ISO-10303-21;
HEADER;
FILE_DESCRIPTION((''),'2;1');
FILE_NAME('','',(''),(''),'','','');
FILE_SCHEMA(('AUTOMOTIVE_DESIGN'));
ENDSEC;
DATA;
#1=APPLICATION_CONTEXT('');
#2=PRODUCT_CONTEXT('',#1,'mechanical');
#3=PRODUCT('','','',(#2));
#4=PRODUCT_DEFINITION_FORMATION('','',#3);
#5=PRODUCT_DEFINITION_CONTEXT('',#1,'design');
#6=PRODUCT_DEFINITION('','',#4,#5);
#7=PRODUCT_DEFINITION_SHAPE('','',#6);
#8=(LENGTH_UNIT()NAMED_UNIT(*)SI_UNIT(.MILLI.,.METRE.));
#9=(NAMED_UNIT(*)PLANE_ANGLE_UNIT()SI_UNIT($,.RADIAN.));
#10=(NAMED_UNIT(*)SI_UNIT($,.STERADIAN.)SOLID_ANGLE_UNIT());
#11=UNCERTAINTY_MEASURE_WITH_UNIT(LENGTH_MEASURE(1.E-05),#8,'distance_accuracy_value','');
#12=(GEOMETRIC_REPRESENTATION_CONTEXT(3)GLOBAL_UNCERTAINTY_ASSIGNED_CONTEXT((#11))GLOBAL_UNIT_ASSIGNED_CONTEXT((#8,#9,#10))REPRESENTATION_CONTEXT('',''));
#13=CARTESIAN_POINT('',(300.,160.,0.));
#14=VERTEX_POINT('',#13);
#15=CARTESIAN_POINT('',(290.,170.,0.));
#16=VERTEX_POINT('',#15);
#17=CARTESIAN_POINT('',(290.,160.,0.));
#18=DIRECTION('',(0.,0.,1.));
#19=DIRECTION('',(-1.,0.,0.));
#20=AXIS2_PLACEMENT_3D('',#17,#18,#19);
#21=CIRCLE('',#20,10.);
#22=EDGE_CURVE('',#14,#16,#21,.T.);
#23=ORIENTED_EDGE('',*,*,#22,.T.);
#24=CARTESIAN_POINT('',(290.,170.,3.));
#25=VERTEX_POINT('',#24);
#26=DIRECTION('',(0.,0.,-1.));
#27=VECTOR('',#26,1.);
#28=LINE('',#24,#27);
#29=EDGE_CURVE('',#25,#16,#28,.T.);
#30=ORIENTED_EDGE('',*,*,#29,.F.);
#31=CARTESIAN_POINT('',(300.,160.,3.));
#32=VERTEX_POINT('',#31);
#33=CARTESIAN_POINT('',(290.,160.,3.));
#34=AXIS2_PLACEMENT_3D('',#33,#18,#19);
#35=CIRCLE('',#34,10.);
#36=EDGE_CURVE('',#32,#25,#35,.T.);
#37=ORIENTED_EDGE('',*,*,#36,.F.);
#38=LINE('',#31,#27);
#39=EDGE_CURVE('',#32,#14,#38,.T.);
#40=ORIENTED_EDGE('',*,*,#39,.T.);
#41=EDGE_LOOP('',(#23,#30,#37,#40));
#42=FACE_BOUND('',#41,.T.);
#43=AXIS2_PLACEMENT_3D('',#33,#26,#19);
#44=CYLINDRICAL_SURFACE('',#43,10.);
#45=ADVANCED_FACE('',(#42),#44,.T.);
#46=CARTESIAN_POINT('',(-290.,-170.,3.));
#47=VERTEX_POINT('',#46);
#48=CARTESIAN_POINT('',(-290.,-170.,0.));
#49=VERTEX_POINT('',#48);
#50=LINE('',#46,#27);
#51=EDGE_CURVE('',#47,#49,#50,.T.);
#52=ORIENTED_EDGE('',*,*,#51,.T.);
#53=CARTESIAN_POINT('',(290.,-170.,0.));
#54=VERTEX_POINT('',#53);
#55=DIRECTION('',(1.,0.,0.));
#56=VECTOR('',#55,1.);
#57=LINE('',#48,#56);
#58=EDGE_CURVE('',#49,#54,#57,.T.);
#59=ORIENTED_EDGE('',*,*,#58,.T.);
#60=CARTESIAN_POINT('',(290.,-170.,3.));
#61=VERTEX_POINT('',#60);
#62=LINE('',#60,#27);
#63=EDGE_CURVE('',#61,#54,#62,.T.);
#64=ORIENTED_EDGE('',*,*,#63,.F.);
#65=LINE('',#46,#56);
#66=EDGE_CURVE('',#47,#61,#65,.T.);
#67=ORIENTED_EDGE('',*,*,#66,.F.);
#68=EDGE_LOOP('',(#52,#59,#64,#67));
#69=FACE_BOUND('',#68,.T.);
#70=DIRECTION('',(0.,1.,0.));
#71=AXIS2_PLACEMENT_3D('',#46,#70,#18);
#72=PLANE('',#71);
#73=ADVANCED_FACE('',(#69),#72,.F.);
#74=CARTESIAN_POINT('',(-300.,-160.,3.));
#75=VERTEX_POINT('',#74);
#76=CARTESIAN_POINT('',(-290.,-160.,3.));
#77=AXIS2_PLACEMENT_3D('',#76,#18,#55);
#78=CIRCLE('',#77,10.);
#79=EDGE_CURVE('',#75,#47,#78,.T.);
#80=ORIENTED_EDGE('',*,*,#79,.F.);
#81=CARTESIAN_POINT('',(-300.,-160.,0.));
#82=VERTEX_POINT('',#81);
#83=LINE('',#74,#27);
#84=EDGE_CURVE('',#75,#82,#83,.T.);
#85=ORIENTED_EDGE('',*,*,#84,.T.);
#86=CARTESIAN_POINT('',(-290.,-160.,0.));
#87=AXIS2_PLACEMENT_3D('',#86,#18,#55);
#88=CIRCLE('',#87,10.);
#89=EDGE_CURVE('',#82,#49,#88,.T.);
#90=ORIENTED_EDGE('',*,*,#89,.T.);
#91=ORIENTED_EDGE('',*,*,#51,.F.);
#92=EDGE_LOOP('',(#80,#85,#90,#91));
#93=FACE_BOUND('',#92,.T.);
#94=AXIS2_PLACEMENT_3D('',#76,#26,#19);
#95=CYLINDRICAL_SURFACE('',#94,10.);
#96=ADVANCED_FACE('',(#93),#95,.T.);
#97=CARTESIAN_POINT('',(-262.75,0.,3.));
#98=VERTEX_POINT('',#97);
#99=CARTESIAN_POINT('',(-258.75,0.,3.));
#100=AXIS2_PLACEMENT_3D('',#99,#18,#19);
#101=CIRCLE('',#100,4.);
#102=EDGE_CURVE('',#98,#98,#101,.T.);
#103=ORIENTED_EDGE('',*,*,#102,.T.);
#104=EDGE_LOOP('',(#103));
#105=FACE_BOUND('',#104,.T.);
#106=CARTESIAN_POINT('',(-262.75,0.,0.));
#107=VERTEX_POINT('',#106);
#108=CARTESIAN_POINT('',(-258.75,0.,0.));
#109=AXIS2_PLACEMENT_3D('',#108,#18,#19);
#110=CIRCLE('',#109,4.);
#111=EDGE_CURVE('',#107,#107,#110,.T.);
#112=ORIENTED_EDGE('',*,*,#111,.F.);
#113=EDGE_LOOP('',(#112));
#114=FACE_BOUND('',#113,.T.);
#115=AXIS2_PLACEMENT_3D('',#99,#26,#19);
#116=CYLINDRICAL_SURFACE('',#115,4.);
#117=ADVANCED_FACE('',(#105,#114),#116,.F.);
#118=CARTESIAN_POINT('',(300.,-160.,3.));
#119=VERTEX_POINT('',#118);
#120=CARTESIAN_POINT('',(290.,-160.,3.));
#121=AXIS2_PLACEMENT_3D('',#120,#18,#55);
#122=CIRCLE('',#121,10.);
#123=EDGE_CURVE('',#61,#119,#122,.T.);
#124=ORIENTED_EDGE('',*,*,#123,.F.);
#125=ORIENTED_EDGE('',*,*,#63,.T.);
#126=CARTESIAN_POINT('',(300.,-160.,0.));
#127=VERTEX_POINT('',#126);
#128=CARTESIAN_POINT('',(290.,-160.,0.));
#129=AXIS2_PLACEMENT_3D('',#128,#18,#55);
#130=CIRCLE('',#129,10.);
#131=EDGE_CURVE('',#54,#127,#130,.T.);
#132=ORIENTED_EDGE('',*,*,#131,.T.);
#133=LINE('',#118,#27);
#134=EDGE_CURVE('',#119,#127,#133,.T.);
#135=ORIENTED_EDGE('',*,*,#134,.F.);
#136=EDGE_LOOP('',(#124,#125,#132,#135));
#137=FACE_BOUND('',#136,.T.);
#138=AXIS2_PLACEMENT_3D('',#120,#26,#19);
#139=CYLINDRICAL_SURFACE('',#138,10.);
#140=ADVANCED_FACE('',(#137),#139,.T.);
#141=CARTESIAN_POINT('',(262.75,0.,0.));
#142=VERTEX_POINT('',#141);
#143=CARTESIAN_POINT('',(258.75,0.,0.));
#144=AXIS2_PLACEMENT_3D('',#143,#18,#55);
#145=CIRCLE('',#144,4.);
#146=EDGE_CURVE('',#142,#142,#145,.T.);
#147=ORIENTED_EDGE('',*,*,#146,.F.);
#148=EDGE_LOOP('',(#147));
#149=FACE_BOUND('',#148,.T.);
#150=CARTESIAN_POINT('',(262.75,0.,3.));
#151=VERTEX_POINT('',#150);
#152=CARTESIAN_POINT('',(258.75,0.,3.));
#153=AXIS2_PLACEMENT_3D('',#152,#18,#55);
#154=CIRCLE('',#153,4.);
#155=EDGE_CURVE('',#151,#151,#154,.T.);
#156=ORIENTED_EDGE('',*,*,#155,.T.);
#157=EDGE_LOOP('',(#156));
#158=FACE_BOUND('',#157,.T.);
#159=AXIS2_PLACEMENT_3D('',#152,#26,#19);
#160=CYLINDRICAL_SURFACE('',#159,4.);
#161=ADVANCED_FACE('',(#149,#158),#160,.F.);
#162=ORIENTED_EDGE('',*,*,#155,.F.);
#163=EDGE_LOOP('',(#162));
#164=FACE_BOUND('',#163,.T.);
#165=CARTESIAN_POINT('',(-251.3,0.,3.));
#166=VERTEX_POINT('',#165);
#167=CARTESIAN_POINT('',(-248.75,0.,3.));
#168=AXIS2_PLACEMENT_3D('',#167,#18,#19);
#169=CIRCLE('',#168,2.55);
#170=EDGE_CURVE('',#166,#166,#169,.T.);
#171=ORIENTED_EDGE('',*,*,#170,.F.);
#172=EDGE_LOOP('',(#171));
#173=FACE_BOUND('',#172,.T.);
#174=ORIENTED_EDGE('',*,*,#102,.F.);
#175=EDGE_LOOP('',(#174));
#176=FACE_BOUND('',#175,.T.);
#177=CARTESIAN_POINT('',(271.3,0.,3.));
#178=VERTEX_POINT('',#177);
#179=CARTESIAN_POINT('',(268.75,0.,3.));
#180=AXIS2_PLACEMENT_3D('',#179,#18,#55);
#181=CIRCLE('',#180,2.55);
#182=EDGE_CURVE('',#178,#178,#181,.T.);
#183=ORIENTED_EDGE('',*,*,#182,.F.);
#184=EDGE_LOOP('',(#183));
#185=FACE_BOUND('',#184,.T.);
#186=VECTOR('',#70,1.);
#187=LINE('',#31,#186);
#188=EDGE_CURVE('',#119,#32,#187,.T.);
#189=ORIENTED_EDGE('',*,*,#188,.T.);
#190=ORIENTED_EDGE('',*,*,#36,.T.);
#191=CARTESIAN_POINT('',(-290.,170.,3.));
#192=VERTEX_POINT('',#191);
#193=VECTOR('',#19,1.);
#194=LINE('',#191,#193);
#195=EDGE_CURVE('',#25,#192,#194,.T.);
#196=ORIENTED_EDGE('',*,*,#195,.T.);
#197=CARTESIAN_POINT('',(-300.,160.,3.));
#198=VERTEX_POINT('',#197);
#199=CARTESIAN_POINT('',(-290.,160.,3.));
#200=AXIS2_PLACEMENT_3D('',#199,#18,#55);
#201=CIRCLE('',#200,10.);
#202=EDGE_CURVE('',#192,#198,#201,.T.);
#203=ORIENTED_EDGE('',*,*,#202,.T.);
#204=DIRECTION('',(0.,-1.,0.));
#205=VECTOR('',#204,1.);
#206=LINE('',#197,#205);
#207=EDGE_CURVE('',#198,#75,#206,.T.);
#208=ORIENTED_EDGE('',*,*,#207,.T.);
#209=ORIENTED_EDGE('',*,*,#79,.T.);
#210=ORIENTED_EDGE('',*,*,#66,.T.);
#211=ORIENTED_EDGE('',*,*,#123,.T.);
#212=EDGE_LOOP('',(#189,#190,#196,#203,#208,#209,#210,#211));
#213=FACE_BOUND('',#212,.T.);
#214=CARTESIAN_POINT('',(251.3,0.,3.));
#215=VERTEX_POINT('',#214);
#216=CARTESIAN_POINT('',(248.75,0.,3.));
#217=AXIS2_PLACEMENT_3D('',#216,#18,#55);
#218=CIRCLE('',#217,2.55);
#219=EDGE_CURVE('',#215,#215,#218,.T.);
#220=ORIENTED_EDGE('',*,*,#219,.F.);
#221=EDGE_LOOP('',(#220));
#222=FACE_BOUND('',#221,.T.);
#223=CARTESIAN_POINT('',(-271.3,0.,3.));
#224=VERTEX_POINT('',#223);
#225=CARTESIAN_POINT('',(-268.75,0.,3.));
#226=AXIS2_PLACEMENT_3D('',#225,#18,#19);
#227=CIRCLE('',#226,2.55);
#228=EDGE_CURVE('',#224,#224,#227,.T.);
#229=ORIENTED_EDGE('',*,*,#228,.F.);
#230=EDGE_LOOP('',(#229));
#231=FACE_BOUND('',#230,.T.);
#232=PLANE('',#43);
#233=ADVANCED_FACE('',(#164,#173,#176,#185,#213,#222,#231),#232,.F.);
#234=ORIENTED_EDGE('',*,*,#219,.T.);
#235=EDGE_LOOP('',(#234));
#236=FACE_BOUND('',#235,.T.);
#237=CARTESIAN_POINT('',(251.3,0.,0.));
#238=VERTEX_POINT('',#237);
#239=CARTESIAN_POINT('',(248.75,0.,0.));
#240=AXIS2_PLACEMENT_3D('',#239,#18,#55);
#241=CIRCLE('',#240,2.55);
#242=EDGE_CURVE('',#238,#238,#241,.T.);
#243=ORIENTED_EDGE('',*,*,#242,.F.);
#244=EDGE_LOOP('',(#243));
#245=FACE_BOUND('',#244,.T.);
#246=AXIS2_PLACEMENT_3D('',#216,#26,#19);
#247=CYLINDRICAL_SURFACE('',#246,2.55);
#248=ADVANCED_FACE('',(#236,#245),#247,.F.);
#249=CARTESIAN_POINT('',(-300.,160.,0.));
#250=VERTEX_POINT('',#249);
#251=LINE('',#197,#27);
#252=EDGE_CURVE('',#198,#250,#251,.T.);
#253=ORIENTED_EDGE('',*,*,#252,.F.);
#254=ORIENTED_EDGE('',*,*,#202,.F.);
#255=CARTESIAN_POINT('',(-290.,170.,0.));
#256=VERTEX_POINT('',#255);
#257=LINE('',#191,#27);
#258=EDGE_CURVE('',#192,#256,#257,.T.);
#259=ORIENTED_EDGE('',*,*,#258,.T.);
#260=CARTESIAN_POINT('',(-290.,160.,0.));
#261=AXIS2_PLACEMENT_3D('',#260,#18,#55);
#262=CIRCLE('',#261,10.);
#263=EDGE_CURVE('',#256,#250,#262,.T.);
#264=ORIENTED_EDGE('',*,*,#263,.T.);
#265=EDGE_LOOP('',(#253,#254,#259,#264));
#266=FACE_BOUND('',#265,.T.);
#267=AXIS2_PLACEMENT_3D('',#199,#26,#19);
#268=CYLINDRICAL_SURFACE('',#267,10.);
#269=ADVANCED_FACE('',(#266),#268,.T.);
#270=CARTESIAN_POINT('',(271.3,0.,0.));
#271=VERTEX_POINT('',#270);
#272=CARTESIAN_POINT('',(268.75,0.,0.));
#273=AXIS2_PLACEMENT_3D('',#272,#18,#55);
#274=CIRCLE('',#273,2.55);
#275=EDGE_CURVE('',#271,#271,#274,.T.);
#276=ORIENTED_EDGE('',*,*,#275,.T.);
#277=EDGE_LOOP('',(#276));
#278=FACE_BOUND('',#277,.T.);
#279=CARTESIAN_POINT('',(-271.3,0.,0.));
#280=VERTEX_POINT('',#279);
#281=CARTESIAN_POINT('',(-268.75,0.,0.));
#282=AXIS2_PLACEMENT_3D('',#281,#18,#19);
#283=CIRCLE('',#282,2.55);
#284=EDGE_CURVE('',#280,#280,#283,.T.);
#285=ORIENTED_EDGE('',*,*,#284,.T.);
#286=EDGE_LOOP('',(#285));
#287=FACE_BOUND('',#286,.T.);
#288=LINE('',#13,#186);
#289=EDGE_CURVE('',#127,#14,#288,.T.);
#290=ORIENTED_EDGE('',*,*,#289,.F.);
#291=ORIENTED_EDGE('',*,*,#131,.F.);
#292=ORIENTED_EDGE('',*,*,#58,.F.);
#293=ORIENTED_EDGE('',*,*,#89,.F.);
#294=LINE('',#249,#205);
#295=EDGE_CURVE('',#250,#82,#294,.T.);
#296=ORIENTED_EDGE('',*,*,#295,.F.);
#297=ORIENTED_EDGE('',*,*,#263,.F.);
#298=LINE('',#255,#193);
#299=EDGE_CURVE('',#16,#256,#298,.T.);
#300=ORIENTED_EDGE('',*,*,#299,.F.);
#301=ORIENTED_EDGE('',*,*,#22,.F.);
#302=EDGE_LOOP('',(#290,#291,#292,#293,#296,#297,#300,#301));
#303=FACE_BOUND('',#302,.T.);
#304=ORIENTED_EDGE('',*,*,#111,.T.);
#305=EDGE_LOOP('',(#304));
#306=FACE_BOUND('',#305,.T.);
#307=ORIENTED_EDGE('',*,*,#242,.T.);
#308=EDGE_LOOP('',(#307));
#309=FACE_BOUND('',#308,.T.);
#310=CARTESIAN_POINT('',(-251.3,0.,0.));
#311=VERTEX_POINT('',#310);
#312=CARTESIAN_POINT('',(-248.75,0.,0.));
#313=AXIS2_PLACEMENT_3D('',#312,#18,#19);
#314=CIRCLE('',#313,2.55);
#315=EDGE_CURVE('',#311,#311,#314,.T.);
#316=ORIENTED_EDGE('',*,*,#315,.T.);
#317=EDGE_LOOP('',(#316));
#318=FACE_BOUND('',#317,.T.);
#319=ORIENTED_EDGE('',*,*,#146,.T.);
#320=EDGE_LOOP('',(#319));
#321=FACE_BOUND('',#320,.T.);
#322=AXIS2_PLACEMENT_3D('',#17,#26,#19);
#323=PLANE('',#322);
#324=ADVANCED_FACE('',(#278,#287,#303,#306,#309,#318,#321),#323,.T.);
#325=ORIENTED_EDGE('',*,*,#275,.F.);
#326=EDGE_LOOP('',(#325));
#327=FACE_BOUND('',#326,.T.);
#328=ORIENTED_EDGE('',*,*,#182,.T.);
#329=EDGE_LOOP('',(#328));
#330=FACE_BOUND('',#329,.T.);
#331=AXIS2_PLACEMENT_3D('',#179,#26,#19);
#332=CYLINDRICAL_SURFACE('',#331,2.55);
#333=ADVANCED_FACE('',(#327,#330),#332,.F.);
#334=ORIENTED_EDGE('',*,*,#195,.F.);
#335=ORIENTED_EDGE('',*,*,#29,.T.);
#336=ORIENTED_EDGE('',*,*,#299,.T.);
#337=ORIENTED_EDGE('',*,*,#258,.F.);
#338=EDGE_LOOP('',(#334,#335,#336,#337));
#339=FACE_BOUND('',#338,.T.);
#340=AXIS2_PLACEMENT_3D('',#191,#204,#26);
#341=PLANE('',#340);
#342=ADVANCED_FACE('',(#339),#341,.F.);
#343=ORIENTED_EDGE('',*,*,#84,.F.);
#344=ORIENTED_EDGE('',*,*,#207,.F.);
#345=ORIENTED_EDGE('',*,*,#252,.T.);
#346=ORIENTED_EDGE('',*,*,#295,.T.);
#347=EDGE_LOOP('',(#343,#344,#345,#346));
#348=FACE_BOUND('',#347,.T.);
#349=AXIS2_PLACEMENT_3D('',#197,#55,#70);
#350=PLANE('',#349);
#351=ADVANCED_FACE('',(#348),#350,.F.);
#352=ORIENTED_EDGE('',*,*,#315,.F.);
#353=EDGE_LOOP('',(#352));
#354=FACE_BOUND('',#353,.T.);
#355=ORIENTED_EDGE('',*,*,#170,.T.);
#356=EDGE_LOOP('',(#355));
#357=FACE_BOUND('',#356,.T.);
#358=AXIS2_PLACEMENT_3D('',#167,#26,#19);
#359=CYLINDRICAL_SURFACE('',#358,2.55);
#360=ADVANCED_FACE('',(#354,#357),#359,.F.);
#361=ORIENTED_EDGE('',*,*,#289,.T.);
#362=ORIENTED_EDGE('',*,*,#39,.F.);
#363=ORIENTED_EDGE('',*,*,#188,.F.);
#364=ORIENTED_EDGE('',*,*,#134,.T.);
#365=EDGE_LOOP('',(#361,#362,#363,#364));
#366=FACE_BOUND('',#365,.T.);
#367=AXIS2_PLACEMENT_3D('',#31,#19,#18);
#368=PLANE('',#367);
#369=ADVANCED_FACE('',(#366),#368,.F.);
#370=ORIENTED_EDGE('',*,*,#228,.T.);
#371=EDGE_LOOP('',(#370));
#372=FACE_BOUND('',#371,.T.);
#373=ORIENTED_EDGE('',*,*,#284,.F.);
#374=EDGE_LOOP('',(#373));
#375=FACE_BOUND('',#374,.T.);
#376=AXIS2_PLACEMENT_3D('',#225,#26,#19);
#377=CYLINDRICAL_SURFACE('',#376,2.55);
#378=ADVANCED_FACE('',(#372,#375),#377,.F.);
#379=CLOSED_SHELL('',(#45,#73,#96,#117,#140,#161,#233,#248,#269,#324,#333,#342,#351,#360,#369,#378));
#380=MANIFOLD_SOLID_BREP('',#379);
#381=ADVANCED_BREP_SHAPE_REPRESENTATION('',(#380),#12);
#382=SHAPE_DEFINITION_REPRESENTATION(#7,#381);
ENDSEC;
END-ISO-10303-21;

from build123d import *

# Parameters (mm, degrees)
CROQUIS1_R              = 4
CROQUIS1_R_2            = 2.55
SALIENTE_EXTRUIR1_DEPTH = 3


with BuildPart() as part:
    # Croquis1 → Saliente-Extruir1 (new body)
    with BuildSketch(Plane.XY):
        with BuildLine():
            Line((-290, 170), (290, 170))
            ThreePointArc((290, 170), (297.071067812, 167.071067812), (300, 160))
            Line((300, 160), (300, -160))
            ThreePointArc((300, -160), (297.071067812, -167.071067812), (290, -170))
            Line((290, -170), (-290, -170))
            ThreePointArc((-290, -170), (-297.071067812, -167.071067812), (-300, -160))
            Line((-300, -160), (-300, 160))
            ThreePointArc((-300, 160), (-297.071067812, 167.071067812), (-290, 170))
        make_face()
        with Locations((258.75, 0)):
            Circle(CROQUIS1_R, mode=Mode.SUBTRACT)
        with Locations((248.75, 0)):
            Circle(CROQUIS1_R_2, mode=Mode.SUBTRACT)
        with Locations((268.75, 0)):
            Circle(CROQUIS1_R_2, mode=Mode.SUBTRACT)
        with Locations(Location((-268.75, 0, 0), (0, 0, 180))):
            Circle(CROQUIS1_R_2, mode=Mode.SUBTRACT)
        with Locations(Location((-248.75, 0, 0), (0, 0, 180))):
            Circle(CROQUIS1_R_2, mode=Mode.SUBTRACT)
        with Locations(Location((-258.75, 0, 0), (0, 0, 180))):
            Circle(CROQUIS1_R, mode=Mode.SUBTRACT)
    extrude(amount=SALIENTE_EXTRUIR1_DEPTH)


solid = part.part
